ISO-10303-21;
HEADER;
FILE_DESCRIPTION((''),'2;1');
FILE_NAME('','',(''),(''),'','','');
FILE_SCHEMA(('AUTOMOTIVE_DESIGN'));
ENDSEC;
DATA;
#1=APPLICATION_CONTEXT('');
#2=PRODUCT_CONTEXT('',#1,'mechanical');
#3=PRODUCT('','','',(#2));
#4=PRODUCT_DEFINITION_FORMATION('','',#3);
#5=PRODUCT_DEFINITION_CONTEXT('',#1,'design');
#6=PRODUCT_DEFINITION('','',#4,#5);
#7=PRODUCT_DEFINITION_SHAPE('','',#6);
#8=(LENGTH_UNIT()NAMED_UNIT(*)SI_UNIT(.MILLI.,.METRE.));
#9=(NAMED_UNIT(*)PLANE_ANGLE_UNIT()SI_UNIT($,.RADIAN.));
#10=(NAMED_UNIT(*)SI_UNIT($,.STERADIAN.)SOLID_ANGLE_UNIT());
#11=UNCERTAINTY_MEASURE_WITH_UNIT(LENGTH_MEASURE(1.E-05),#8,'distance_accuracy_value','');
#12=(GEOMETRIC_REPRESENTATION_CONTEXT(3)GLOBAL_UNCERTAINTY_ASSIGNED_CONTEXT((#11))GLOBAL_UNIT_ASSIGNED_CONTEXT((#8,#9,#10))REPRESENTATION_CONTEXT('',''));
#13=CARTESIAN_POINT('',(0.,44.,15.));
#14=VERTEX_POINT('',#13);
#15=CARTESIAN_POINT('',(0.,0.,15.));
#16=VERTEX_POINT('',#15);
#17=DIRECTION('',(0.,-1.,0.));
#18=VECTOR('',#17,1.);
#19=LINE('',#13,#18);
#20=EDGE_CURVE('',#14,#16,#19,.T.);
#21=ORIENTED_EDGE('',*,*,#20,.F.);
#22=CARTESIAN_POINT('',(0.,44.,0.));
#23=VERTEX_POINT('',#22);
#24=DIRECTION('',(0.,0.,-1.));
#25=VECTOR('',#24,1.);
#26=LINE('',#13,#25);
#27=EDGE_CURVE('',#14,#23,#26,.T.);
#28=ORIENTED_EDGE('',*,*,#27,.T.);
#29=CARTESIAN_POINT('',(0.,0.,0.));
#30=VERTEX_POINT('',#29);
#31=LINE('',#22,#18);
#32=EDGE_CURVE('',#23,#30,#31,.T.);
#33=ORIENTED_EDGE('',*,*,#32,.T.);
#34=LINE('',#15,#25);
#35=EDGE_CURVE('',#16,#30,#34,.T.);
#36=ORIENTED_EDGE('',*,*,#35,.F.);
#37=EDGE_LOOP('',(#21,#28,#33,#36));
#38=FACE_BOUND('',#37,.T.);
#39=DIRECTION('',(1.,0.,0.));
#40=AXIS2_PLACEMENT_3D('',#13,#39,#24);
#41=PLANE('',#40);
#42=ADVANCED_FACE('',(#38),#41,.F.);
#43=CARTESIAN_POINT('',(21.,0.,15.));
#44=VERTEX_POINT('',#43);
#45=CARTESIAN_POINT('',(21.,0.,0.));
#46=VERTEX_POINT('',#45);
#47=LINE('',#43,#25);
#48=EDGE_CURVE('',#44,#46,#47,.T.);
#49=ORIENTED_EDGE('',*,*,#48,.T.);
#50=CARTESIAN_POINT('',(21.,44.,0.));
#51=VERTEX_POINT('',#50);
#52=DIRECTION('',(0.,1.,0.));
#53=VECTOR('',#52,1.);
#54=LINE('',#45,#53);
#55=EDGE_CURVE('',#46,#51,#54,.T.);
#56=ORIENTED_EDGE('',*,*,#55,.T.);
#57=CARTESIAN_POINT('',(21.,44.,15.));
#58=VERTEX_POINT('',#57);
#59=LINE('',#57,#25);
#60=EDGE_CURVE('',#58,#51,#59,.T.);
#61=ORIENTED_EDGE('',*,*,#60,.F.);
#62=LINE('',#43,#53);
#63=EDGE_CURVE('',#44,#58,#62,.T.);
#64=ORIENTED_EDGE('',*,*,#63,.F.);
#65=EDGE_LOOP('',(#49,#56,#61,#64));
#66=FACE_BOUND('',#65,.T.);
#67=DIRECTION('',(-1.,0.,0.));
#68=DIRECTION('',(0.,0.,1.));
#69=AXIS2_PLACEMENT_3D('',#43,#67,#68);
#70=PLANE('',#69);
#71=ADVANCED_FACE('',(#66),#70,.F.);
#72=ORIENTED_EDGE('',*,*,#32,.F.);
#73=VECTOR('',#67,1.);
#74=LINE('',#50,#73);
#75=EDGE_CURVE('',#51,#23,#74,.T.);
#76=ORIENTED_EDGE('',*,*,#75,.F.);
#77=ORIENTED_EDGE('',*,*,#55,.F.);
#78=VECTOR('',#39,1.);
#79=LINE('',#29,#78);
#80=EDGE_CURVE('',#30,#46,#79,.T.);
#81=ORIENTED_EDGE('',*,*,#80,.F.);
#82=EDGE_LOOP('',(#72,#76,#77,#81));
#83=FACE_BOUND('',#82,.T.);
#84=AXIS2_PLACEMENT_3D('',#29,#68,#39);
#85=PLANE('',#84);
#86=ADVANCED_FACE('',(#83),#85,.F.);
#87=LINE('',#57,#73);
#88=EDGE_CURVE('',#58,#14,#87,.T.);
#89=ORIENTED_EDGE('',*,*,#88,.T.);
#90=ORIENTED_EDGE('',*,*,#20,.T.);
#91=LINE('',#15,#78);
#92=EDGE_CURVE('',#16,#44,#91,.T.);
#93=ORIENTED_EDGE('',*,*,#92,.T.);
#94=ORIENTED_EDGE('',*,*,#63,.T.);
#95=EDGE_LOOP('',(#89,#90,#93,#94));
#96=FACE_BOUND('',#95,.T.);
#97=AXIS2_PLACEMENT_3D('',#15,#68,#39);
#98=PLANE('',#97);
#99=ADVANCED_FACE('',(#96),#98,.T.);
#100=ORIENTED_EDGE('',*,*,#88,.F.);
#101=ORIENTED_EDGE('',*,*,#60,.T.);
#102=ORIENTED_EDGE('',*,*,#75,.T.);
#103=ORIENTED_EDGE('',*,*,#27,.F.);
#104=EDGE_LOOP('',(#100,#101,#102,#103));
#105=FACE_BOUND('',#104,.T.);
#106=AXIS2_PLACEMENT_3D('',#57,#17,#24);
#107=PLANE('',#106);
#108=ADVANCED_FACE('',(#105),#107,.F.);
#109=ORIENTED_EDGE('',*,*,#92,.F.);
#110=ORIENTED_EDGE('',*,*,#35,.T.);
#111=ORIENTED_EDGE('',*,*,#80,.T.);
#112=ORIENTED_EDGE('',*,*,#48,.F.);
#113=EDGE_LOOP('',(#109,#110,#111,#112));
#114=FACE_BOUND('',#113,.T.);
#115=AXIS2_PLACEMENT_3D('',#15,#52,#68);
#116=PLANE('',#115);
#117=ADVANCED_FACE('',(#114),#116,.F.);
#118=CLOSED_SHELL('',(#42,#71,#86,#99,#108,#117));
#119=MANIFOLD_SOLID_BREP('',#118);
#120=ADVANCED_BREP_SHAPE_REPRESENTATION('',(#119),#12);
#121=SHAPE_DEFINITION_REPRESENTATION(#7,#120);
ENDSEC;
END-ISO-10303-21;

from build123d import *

# Parameters (mm, degrees)
SKETCH_1_W         = 21
SKETCH_1_H         = 44
SIDE_ADAPTER_DEPTH = 15


with BuildPart() as part:
    # 草图1 → Side_adapter (new body)
    with BuildSketch(Plane.XY):
        with Locations((10.5, 22)):
            Rectangle(SKETCH_1_W, SKETCH_1_H)
    extrude(amount=SIDE_ADAPTER_DEPTH)


solid = part.part
